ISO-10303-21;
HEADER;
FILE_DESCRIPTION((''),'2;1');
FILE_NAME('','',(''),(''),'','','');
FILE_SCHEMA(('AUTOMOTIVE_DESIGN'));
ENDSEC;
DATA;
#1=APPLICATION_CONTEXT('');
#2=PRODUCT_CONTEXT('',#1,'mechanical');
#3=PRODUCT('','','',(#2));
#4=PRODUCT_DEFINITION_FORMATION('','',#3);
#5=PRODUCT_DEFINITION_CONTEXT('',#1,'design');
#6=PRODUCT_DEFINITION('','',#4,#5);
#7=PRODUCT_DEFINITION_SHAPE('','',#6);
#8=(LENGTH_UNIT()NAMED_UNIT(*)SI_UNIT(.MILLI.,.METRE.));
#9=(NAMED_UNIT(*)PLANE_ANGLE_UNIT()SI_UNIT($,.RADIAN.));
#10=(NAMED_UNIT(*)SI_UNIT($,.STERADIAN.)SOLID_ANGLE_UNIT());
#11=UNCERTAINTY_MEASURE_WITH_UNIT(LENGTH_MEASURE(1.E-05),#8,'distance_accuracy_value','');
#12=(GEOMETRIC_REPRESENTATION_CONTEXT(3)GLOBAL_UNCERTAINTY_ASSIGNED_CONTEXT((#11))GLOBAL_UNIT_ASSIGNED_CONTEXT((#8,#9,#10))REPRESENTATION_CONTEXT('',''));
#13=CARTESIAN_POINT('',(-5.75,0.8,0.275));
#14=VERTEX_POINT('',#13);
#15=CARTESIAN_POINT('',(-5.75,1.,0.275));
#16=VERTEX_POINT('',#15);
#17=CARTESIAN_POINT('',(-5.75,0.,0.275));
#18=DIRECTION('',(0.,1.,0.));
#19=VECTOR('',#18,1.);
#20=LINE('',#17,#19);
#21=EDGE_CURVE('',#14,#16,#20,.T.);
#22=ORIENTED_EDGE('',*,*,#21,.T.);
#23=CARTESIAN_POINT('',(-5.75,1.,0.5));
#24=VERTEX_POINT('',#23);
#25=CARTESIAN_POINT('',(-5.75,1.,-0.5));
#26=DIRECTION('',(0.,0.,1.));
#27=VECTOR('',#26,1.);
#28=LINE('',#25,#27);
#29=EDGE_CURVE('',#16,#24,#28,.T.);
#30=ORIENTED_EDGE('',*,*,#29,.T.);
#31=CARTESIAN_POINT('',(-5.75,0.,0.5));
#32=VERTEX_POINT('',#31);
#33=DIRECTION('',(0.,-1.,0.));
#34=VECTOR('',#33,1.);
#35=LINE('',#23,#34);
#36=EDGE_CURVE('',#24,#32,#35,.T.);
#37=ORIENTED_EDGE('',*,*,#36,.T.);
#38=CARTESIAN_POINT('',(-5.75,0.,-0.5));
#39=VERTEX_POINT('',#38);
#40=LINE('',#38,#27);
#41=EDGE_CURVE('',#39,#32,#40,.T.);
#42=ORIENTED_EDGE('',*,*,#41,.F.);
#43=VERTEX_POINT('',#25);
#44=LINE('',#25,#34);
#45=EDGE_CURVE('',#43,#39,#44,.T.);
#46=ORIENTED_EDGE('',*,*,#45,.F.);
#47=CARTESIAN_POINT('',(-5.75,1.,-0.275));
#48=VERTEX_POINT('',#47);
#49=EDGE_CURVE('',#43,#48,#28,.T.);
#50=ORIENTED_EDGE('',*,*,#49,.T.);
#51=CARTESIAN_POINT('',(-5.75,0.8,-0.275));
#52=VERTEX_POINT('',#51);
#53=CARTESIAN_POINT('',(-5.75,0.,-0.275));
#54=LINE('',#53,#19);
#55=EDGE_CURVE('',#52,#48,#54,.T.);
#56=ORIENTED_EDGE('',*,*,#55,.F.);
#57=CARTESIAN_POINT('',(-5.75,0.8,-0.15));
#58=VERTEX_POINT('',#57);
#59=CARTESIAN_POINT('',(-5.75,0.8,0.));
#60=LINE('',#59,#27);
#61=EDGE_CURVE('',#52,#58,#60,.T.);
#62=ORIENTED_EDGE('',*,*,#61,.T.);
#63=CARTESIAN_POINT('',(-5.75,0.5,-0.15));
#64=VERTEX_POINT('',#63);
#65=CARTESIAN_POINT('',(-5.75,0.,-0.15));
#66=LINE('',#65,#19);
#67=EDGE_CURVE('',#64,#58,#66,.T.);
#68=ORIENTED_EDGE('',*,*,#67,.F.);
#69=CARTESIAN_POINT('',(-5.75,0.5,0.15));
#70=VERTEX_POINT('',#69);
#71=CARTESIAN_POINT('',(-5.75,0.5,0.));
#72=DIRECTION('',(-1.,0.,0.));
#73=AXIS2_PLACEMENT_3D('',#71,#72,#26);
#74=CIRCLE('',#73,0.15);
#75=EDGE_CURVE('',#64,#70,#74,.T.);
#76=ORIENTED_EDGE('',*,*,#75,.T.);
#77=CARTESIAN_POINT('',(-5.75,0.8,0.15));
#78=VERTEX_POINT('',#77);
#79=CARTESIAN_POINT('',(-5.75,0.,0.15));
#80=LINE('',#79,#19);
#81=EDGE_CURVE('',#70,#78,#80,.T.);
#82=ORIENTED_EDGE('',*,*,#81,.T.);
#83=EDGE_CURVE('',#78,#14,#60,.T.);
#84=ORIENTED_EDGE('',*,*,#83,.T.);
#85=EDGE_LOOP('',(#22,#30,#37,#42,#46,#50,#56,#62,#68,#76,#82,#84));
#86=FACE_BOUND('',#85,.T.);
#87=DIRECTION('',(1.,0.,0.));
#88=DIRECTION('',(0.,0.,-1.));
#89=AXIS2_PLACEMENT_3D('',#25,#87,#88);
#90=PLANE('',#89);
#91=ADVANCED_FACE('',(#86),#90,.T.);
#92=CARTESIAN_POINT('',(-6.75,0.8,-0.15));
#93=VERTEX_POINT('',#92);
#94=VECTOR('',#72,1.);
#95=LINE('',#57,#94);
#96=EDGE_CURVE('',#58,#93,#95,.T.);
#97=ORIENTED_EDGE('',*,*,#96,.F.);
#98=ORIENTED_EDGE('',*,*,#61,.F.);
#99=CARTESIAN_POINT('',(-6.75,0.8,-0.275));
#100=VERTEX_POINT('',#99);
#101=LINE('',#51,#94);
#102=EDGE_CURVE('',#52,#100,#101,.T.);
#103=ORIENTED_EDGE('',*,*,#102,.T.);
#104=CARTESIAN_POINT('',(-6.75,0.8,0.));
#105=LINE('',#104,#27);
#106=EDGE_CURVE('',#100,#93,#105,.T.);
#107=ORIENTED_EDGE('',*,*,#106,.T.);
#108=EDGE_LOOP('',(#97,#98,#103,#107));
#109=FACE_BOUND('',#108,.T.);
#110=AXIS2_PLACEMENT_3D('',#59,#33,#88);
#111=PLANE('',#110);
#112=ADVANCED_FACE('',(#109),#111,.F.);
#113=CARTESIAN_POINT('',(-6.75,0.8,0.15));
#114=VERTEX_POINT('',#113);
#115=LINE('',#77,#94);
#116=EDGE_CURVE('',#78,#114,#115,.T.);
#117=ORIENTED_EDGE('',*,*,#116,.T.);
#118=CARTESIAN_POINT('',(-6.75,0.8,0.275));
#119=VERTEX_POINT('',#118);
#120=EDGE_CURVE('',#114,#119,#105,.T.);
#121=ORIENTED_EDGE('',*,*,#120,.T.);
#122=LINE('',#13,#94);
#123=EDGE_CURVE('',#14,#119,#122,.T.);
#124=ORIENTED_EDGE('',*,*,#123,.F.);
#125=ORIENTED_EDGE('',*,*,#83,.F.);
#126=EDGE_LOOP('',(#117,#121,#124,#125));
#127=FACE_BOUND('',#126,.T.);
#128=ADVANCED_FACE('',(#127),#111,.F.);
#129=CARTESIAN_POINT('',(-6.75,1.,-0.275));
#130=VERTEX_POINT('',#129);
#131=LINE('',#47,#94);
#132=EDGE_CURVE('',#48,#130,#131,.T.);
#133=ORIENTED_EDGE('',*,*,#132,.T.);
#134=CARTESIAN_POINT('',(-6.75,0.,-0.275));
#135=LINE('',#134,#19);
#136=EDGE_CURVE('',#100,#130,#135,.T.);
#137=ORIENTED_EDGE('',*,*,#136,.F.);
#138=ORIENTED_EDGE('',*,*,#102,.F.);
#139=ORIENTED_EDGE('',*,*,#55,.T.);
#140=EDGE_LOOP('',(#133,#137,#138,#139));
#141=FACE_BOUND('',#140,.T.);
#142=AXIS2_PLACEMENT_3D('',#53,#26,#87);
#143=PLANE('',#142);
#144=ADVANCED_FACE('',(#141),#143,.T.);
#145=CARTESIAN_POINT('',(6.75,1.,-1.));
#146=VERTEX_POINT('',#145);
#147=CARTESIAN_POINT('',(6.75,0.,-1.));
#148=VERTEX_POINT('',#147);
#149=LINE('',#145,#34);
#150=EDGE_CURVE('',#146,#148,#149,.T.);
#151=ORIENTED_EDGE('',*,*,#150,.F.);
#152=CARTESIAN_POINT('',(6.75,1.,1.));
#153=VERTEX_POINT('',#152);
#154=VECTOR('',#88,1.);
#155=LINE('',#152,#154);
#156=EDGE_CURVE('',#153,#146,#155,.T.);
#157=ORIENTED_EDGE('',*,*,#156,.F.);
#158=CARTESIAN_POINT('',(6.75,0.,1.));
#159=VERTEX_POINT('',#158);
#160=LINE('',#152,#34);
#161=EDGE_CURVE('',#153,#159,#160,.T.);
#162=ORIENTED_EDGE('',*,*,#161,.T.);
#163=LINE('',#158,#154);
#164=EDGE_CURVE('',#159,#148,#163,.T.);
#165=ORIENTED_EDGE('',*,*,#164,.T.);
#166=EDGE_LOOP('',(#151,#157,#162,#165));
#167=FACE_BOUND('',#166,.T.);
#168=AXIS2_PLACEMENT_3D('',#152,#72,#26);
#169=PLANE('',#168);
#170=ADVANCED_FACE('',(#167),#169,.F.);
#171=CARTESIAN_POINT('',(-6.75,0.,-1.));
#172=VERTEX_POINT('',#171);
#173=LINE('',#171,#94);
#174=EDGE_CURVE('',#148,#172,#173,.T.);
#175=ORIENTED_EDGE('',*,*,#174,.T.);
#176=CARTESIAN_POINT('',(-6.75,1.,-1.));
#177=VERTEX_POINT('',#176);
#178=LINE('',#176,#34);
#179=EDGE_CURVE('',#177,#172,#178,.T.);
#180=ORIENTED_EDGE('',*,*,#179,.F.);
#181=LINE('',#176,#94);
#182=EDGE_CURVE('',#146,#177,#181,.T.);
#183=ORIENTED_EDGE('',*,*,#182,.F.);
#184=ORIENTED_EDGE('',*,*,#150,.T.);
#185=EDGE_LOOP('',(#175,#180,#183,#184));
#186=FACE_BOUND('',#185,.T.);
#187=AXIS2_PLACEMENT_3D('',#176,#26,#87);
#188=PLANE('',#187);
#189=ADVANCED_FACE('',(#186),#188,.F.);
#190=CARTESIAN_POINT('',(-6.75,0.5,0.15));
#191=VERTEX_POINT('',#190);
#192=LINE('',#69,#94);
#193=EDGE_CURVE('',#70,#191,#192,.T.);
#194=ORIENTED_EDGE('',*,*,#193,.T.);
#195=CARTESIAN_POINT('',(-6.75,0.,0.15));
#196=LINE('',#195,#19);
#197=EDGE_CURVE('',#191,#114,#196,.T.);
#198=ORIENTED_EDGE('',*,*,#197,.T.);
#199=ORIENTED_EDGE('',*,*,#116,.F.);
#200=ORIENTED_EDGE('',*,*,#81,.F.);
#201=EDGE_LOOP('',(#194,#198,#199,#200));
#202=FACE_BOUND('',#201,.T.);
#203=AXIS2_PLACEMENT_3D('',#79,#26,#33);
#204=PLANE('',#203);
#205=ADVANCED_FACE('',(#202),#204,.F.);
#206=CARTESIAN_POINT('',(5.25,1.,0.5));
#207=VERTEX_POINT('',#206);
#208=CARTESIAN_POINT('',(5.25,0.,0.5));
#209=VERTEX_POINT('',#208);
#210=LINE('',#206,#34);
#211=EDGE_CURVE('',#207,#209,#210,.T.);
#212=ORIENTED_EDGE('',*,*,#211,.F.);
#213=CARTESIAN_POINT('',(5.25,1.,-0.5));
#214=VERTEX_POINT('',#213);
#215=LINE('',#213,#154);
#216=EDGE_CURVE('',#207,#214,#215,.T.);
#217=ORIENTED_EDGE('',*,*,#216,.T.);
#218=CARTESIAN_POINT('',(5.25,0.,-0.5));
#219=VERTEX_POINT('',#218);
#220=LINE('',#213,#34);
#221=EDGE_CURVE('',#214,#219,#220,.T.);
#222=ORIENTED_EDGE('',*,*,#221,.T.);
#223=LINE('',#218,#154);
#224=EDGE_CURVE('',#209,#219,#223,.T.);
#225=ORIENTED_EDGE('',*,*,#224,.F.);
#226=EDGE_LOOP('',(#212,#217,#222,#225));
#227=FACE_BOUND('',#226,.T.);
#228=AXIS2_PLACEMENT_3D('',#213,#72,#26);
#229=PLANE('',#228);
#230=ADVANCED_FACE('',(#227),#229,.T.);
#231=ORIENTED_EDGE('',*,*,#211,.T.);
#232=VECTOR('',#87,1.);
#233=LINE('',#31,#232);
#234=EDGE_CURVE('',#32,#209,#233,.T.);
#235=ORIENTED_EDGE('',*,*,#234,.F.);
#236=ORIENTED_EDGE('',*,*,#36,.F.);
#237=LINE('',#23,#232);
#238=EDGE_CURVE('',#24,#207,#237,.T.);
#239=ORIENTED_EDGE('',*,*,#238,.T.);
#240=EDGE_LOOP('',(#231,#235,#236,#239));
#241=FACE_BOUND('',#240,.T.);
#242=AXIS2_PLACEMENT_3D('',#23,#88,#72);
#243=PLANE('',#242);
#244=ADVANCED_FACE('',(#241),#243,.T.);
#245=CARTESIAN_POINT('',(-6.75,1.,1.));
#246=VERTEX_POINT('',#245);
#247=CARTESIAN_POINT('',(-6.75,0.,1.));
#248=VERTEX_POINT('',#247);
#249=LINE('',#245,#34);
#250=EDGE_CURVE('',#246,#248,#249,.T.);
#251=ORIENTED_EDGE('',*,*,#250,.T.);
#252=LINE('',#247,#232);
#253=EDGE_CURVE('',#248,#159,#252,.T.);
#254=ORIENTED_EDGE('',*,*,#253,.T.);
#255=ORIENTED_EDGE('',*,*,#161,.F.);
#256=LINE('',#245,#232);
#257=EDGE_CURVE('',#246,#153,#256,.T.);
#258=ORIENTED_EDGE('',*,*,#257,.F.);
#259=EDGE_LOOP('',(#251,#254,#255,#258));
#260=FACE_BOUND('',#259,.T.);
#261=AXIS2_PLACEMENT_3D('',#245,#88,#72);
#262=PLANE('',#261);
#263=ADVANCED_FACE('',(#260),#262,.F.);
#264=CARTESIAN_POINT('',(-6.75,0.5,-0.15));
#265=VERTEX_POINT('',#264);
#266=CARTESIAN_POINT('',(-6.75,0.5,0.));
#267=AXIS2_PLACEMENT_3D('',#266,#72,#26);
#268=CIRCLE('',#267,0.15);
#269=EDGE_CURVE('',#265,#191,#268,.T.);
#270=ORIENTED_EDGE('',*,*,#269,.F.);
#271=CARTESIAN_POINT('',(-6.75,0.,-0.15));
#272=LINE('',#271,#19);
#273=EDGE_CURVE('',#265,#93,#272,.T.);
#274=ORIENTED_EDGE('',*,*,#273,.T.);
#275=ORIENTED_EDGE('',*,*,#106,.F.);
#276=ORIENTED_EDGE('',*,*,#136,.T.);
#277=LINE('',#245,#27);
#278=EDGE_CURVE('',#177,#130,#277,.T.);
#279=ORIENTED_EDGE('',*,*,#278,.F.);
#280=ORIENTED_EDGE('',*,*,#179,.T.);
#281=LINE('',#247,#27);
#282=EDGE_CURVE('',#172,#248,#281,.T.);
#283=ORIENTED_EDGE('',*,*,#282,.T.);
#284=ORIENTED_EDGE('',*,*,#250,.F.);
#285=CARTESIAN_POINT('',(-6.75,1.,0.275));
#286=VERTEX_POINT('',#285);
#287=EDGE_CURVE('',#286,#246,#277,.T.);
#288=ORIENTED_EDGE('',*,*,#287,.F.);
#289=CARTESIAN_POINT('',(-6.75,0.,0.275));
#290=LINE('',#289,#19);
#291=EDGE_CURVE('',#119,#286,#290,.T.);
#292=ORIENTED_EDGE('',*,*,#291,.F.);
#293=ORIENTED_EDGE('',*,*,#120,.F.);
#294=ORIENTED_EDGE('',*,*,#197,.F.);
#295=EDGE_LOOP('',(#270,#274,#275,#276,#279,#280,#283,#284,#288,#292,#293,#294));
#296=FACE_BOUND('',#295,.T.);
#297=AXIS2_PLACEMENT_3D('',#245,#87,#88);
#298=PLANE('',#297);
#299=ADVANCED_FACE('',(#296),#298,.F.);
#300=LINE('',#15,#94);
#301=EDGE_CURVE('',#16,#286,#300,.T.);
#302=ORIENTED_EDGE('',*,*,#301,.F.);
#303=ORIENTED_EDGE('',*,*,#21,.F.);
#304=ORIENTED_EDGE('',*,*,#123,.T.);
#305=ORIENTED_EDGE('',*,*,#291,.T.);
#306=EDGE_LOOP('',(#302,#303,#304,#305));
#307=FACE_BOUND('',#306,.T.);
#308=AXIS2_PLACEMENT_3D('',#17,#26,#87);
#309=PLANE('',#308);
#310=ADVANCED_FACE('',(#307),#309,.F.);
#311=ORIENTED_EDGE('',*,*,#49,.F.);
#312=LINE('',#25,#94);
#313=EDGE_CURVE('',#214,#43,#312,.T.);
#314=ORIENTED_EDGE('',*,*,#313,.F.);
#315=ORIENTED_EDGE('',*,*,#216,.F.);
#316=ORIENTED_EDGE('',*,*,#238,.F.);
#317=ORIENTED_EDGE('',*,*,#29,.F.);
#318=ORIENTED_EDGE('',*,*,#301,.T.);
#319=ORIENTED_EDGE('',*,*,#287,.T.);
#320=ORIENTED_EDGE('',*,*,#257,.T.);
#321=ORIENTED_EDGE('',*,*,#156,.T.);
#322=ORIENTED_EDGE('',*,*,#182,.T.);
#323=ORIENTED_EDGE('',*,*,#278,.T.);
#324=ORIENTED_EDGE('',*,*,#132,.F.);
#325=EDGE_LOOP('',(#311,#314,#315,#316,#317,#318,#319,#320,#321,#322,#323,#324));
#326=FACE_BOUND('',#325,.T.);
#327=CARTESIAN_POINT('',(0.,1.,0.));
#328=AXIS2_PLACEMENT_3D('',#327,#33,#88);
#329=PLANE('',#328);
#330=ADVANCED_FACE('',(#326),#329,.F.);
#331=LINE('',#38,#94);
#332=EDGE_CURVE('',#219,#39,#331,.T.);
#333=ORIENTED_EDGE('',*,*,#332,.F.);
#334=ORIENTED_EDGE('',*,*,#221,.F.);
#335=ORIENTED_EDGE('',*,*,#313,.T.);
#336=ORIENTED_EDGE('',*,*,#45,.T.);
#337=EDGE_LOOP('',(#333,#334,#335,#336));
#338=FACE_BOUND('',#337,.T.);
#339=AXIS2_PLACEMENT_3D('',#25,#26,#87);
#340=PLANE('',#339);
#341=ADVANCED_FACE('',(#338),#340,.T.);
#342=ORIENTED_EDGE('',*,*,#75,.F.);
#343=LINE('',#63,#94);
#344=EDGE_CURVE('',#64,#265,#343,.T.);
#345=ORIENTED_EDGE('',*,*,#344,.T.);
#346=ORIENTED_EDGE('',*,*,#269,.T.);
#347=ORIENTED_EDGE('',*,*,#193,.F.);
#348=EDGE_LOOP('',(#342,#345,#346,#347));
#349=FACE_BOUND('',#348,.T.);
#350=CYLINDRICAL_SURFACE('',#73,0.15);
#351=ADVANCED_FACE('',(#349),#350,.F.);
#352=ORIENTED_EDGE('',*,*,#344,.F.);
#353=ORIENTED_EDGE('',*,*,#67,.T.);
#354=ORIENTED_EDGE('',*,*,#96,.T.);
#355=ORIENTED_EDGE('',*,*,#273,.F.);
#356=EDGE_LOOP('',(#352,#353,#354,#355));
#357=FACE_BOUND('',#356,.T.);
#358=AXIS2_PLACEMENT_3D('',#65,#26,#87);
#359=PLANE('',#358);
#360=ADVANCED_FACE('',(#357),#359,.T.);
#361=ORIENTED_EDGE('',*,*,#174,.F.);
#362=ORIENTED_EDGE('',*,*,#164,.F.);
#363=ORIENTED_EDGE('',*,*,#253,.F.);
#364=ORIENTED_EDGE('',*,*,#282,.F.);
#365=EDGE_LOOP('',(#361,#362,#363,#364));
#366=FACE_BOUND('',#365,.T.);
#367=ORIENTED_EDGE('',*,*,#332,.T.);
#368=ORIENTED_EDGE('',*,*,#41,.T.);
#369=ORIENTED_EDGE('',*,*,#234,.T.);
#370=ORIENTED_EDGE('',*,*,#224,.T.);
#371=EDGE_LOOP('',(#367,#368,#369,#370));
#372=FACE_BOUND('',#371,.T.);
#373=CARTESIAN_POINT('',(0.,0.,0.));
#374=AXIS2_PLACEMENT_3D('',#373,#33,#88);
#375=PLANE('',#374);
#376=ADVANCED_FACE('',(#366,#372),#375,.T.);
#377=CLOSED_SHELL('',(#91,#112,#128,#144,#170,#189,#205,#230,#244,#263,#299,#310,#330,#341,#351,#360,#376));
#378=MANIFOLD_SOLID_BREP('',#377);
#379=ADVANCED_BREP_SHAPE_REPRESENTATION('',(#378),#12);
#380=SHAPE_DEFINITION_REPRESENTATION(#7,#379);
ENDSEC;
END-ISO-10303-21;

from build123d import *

# Parameters (mm, degrees)
SKETCH1_W           = 13.5
SKETCH1_H           = 2
SKETCH1_W_2         = 11
SKETCH1_H_2         = 1
BOSS_EXTRUDE1_DEPTH = 1
CUT_EXTRUDE2_DEPTH  = 1


with BuildPart() as part:
    # Sketch1 → Boss-Extrude1 (new body)
    with BuildSketch(Plane(origin=(0, 0, 0), x_dir=(1, 0, 0), z_dir=(0, 1, 0))):
        Rectangle(SKETCH1_W, SKETCH1_H)
        with Locations((-0.25, 0)):
            Rectangle(SKETCH1_W_2, SKETCH1_H_2, mode=Mode.SUBTRACT)
    extrude(amount=BOSS_EXTRUDE1_DEPTH)

    # Sketch2 → Cut-Extrude2 (cut)
    with BuildSketch(Plane.ZY.offset(6.75)):
        with BuildLine():
            Line((0.15, 0.5), (0.15, 0.8))
            Line((0.15, 0.8), (0.275, 0.8))
            Line((0.275, 0.8), (0.275, 1))
            Line((0.275, 1), (0.15, 1))
            Line((0.15, 1), (-0.15, 1))
            Line((-0.15, 1), (-0.275, 1))
            Line((-0.275, 1), (-0.275, 0.8))
            Line((-0.275, 0.8), (-0.15, 0.8))
            Line((-0.15, 0.8), (-0.15, 0.5))
            ThreePointArc((-0.15, 0.5), (0, 0.35), (0.15, 0.5))
        make_face()
    extrude(amount=-CUT_EXTRUDE2_DEPTH, mode=Mode.SUBTRACT)


solid = part.part
